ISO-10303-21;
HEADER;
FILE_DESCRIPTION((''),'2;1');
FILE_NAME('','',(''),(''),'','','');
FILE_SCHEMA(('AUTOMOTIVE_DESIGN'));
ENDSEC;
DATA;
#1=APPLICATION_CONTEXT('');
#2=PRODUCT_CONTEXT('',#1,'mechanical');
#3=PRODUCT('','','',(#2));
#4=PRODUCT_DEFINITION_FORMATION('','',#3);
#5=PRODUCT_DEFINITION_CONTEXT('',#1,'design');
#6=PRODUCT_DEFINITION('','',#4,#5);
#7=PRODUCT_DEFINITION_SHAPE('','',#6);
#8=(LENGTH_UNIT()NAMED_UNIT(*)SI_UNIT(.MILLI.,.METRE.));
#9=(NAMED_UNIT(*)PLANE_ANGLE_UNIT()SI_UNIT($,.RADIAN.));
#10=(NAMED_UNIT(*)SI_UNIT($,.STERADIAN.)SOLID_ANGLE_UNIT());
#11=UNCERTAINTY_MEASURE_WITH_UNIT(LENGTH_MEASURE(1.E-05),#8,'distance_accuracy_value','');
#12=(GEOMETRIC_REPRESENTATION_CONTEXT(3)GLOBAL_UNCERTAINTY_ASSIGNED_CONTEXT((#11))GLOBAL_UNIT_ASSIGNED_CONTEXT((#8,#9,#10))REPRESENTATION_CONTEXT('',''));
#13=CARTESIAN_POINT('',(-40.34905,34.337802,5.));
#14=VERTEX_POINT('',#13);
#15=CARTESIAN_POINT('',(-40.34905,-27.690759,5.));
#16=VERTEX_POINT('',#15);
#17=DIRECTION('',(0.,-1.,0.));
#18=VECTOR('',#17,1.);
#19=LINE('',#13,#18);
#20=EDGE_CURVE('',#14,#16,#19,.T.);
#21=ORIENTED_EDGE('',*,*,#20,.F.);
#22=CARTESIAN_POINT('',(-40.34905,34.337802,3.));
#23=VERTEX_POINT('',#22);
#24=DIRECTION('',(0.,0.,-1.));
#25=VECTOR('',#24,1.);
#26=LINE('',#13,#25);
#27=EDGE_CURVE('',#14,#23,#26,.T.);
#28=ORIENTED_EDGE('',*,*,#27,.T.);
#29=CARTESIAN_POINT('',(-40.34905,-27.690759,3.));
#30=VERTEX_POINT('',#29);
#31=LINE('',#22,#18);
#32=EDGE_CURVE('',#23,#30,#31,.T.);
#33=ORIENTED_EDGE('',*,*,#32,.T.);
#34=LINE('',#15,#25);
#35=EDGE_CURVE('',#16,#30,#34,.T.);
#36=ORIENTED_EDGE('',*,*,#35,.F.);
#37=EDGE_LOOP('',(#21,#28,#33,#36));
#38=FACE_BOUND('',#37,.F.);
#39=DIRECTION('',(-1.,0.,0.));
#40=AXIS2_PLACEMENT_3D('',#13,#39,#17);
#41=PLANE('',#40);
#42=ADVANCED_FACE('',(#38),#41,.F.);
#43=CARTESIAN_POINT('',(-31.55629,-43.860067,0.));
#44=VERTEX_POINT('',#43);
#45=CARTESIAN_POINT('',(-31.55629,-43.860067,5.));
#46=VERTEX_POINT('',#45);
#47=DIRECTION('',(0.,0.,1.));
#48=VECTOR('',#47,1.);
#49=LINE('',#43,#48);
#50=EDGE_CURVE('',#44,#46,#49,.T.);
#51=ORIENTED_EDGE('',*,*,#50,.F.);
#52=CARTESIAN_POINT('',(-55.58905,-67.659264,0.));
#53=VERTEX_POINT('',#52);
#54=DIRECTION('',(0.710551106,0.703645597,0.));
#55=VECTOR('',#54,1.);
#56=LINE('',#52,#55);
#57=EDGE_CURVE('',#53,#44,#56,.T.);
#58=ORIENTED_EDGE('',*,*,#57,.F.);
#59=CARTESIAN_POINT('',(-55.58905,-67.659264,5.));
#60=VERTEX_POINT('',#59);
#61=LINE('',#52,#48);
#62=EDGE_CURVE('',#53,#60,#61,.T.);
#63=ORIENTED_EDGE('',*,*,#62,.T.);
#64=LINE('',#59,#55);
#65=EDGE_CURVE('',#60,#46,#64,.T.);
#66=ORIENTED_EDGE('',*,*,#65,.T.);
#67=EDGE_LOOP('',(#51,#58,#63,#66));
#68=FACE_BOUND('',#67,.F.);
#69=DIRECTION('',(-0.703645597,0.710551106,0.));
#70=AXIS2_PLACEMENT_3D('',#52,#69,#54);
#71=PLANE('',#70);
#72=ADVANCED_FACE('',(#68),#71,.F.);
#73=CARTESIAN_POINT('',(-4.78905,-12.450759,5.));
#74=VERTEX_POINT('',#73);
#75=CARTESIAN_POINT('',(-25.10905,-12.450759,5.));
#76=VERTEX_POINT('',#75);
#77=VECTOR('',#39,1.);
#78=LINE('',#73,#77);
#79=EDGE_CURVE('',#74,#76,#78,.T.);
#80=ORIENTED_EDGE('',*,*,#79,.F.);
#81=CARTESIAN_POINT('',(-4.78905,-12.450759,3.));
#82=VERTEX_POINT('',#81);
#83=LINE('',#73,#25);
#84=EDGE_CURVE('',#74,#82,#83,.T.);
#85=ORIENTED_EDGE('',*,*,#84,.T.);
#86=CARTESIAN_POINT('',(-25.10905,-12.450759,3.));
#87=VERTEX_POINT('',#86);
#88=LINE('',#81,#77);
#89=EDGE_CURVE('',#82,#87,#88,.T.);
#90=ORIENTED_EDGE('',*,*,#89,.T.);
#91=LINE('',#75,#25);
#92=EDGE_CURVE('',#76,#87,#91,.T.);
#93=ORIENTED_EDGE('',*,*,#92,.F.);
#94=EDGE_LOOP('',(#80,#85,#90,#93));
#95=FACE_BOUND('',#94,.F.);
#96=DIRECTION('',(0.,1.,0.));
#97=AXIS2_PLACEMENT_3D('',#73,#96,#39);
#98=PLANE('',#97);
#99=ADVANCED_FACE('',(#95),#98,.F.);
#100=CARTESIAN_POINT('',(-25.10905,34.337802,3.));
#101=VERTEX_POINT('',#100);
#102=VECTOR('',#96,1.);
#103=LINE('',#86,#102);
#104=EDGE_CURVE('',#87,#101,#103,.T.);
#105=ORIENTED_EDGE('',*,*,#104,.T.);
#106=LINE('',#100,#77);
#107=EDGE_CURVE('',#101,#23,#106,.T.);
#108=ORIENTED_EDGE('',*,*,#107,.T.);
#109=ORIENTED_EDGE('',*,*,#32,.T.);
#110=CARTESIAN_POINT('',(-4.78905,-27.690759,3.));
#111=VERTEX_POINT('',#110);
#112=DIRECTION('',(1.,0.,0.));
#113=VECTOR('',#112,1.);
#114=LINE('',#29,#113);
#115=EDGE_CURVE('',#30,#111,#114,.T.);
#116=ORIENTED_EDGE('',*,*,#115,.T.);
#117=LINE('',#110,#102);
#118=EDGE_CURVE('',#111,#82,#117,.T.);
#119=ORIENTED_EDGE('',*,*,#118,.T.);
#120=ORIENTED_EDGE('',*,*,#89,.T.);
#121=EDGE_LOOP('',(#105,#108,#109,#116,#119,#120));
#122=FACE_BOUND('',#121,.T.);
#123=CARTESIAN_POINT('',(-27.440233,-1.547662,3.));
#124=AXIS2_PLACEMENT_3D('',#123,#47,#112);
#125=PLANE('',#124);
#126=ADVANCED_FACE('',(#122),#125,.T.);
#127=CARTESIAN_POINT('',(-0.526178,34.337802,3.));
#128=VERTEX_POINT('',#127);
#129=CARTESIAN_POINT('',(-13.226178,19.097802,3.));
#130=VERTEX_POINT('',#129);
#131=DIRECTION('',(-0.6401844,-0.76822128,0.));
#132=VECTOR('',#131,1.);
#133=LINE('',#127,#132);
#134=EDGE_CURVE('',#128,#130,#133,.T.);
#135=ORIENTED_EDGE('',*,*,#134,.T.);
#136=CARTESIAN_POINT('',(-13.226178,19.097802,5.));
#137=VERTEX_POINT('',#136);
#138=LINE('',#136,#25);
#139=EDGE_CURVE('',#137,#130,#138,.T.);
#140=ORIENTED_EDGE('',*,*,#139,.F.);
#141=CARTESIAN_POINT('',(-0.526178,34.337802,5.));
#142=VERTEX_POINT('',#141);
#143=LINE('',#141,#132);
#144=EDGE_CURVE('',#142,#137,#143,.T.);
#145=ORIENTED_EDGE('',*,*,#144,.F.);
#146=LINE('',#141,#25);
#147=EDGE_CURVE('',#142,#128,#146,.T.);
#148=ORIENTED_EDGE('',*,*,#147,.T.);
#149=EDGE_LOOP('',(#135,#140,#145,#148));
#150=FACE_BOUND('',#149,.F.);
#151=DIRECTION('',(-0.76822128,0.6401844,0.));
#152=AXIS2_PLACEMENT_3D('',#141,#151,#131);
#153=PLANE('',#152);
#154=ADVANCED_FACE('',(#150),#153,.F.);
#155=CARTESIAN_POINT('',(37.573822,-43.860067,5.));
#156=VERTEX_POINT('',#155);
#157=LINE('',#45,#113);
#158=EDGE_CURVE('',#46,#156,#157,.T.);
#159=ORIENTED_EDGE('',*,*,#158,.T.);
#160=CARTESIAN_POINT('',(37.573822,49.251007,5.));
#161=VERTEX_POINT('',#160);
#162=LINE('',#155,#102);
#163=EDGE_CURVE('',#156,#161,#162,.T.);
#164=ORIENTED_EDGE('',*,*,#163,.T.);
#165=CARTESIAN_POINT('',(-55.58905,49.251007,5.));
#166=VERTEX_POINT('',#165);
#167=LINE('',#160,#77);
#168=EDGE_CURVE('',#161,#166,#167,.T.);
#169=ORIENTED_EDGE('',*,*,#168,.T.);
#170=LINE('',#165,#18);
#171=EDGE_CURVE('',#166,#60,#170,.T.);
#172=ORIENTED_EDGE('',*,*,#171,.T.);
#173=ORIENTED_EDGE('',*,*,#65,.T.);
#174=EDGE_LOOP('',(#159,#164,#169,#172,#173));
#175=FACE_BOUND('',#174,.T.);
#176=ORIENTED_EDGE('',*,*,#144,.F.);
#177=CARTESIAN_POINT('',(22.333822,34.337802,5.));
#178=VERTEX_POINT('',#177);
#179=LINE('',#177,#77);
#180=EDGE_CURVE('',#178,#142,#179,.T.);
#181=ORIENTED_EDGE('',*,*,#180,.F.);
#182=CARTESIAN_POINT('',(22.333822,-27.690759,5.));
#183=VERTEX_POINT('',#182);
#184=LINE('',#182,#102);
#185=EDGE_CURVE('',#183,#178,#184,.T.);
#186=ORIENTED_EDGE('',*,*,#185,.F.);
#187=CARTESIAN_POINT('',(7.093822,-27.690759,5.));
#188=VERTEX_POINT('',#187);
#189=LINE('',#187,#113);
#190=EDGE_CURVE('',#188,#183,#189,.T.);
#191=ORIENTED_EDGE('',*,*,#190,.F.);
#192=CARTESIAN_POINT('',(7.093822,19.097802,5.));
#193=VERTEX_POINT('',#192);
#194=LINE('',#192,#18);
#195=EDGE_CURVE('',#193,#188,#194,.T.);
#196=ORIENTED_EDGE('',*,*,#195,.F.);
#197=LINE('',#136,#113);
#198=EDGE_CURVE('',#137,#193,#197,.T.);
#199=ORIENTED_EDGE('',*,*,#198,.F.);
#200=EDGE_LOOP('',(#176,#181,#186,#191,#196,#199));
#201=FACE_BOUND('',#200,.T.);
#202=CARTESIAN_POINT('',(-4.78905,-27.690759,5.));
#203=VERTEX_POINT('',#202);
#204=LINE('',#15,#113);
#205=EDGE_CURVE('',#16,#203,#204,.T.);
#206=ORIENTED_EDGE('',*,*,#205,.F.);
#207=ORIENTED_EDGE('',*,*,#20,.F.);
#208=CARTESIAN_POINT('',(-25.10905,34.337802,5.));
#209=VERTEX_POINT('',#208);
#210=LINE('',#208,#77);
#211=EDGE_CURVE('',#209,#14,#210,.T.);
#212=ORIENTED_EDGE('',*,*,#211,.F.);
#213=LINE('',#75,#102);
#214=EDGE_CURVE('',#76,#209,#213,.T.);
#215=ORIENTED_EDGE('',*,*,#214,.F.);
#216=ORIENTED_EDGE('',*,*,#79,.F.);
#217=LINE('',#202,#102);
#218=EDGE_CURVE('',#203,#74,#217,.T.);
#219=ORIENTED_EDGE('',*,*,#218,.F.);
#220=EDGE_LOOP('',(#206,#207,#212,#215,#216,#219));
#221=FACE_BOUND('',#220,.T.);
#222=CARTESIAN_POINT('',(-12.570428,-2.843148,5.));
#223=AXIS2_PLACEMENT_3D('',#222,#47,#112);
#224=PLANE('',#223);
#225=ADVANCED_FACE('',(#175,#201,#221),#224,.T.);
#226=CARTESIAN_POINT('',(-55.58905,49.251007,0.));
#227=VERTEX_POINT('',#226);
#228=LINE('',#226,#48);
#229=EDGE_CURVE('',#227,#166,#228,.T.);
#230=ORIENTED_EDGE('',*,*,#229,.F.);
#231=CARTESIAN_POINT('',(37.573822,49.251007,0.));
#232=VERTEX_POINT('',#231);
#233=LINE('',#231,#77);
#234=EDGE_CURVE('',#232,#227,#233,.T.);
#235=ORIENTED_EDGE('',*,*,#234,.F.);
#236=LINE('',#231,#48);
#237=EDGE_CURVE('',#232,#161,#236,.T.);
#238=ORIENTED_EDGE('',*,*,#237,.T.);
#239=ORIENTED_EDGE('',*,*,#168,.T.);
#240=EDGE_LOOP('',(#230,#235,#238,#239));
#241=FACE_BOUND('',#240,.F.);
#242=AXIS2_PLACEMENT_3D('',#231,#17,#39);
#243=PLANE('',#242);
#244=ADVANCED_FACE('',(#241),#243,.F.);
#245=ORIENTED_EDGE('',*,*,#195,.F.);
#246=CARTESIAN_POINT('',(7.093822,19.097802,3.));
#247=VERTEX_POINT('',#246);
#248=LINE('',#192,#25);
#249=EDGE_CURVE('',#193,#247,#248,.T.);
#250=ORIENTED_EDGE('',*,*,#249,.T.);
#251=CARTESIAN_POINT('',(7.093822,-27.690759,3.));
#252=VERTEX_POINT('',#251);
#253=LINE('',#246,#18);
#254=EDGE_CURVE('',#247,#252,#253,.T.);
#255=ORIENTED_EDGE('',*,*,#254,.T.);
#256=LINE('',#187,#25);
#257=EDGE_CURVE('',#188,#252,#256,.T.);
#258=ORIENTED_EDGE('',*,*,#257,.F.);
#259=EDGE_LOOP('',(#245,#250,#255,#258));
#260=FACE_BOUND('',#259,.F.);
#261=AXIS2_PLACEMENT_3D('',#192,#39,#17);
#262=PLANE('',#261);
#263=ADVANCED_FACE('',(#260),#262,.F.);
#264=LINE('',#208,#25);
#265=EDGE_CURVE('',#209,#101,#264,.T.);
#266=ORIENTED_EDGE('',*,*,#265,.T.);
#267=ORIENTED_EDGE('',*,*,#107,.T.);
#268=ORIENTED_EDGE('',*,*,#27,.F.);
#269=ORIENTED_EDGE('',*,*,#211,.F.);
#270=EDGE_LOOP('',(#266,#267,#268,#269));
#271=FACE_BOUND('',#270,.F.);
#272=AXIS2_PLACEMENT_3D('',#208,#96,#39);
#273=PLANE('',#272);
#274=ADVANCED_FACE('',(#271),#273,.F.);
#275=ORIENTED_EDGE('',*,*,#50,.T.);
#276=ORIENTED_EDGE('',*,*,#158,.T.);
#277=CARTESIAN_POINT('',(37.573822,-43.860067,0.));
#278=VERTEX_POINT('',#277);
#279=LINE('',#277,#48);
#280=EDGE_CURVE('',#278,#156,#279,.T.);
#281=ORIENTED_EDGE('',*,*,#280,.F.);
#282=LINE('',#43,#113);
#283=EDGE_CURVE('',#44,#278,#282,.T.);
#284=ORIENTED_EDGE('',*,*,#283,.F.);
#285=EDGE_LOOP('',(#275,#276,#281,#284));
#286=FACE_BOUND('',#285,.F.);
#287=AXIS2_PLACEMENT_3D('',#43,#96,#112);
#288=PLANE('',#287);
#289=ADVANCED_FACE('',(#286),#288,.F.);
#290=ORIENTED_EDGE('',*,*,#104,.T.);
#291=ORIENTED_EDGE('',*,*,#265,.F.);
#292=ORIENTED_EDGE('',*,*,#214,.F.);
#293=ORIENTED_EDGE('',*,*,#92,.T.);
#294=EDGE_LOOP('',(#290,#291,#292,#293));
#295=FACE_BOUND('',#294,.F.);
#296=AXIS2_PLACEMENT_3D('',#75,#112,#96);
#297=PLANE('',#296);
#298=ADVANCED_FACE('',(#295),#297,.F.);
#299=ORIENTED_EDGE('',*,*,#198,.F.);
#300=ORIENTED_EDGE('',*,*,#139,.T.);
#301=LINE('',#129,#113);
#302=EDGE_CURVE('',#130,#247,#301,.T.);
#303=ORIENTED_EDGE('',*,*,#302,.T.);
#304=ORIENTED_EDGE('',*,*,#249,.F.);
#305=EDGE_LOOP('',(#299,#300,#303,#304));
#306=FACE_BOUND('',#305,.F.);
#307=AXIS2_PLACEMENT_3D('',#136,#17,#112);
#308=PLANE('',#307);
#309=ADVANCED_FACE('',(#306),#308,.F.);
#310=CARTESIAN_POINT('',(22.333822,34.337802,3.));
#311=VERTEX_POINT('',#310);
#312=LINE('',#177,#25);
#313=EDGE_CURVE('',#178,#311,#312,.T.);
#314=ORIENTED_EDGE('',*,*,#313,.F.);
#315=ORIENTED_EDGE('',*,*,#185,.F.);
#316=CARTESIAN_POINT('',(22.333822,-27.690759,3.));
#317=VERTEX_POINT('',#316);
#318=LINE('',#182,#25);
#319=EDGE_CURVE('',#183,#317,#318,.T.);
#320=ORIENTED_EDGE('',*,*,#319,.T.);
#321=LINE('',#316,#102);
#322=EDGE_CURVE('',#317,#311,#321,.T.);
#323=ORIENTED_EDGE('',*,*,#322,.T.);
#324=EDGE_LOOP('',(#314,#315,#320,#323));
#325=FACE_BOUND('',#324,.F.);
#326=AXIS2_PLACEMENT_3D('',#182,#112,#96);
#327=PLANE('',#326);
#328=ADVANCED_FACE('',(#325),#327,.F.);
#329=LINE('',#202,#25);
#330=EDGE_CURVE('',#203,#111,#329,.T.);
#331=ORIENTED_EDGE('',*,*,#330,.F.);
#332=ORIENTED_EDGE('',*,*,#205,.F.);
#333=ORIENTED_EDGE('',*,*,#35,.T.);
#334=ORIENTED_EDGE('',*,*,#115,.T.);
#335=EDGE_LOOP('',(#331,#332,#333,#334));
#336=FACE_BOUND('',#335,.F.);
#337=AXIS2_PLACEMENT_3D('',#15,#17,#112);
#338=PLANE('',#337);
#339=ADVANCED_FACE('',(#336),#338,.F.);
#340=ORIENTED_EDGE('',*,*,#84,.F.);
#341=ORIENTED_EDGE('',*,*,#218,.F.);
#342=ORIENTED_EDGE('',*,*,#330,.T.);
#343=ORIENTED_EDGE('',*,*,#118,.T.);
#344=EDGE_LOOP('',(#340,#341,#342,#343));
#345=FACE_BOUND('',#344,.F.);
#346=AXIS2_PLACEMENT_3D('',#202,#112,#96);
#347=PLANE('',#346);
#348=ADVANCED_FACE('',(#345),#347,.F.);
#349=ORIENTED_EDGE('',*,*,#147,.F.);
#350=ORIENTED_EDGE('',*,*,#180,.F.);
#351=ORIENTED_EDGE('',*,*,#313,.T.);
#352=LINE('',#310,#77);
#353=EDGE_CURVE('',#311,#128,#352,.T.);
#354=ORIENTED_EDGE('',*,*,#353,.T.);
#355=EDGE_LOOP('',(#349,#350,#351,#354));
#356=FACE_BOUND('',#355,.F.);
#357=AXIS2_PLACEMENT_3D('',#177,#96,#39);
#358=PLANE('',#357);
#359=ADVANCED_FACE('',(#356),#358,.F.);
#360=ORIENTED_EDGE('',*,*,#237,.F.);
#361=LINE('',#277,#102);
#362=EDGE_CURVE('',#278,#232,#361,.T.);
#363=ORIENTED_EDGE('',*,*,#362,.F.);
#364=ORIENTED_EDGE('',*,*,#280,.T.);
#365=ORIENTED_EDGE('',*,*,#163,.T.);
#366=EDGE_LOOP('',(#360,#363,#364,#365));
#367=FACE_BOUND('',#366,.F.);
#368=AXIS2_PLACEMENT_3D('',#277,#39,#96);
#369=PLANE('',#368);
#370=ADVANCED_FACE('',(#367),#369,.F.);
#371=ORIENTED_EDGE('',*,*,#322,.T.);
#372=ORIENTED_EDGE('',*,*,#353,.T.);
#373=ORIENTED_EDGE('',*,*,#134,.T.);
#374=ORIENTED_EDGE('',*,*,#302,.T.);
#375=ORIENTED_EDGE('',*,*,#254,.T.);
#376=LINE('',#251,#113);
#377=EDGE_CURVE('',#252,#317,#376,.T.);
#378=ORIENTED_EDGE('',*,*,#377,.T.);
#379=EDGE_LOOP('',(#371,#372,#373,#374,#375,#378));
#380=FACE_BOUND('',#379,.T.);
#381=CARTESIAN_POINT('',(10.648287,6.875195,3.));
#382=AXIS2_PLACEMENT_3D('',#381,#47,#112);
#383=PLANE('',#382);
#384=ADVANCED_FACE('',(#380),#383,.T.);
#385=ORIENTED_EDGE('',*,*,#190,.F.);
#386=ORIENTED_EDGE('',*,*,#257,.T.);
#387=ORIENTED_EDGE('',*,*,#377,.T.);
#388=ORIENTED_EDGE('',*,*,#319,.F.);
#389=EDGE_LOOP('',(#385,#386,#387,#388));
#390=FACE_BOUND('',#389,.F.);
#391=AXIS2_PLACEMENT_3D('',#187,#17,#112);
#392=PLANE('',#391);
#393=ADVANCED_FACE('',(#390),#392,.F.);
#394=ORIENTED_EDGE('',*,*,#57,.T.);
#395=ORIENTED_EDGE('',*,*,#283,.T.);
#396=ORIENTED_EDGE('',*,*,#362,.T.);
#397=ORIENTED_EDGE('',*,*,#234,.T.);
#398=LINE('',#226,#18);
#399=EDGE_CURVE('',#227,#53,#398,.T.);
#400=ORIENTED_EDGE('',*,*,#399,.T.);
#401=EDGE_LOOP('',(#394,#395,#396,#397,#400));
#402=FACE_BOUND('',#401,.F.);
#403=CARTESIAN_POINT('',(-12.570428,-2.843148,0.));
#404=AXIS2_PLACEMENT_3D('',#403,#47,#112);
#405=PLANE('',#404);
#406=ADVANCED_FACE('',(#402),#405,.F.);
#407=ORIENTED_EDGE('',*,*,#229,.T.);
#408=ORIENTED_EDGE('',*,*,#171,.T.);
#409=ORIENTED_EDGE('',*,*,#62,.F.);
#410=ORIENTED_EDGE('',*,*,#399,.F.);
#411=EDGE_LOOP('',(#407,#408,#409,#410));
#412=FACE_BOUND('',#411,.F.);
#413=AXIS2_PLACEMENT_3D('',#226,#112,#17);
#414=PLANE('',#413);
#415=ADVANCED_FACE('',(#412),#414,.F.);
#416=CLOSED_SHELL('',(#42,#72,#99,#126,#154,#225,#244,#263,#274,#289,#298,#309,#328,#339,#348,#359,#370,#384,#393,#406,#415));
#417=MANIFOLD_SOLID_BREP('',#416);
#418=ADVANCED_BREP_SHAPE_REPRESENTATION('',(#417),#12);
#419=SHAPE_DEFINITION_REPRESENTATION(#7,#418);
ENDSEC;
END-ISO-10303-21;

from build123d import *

# Parameters (mm, degrees)
F1_DEPTH = 5
F3_DEPTH = 2


with BuildPart() as f1:
    # F0 (on Top) → F1 (new body)
    with BuildSketch(Plane.XY):
        Polygon((37.573822, 49.251007), (-55.58905, 49.251007), (-55.58905, -67.659264), (-31.55629, -43.860067), (37.573822, -43.860067), align=None)
    extrude(amount=F1_DEPTH)

    # F2 (on face) → F3 (cut)
    with BuildSketch(Plane.XY.offset(5)):
        Polygon((-25.10905, 34.337802), (-40.34905, 34.337802), (-40.34905, -27.690759), (-4.78905, -27.690759), (-4.78905, -12.450759), (-25.10905, -12.450759), align=None)
        Polygon((22.333822, 34.337802), (-0.526178, 34.337802), (-13.226178, 19.097802), (7.093822, 19.097802), (7.093822, -27.690759), (22.333822, -27.690759), align=None)
    extrude(amount=-F3_DEPTH, mode=Mode.SUBTRACT)


solid = f1.part
